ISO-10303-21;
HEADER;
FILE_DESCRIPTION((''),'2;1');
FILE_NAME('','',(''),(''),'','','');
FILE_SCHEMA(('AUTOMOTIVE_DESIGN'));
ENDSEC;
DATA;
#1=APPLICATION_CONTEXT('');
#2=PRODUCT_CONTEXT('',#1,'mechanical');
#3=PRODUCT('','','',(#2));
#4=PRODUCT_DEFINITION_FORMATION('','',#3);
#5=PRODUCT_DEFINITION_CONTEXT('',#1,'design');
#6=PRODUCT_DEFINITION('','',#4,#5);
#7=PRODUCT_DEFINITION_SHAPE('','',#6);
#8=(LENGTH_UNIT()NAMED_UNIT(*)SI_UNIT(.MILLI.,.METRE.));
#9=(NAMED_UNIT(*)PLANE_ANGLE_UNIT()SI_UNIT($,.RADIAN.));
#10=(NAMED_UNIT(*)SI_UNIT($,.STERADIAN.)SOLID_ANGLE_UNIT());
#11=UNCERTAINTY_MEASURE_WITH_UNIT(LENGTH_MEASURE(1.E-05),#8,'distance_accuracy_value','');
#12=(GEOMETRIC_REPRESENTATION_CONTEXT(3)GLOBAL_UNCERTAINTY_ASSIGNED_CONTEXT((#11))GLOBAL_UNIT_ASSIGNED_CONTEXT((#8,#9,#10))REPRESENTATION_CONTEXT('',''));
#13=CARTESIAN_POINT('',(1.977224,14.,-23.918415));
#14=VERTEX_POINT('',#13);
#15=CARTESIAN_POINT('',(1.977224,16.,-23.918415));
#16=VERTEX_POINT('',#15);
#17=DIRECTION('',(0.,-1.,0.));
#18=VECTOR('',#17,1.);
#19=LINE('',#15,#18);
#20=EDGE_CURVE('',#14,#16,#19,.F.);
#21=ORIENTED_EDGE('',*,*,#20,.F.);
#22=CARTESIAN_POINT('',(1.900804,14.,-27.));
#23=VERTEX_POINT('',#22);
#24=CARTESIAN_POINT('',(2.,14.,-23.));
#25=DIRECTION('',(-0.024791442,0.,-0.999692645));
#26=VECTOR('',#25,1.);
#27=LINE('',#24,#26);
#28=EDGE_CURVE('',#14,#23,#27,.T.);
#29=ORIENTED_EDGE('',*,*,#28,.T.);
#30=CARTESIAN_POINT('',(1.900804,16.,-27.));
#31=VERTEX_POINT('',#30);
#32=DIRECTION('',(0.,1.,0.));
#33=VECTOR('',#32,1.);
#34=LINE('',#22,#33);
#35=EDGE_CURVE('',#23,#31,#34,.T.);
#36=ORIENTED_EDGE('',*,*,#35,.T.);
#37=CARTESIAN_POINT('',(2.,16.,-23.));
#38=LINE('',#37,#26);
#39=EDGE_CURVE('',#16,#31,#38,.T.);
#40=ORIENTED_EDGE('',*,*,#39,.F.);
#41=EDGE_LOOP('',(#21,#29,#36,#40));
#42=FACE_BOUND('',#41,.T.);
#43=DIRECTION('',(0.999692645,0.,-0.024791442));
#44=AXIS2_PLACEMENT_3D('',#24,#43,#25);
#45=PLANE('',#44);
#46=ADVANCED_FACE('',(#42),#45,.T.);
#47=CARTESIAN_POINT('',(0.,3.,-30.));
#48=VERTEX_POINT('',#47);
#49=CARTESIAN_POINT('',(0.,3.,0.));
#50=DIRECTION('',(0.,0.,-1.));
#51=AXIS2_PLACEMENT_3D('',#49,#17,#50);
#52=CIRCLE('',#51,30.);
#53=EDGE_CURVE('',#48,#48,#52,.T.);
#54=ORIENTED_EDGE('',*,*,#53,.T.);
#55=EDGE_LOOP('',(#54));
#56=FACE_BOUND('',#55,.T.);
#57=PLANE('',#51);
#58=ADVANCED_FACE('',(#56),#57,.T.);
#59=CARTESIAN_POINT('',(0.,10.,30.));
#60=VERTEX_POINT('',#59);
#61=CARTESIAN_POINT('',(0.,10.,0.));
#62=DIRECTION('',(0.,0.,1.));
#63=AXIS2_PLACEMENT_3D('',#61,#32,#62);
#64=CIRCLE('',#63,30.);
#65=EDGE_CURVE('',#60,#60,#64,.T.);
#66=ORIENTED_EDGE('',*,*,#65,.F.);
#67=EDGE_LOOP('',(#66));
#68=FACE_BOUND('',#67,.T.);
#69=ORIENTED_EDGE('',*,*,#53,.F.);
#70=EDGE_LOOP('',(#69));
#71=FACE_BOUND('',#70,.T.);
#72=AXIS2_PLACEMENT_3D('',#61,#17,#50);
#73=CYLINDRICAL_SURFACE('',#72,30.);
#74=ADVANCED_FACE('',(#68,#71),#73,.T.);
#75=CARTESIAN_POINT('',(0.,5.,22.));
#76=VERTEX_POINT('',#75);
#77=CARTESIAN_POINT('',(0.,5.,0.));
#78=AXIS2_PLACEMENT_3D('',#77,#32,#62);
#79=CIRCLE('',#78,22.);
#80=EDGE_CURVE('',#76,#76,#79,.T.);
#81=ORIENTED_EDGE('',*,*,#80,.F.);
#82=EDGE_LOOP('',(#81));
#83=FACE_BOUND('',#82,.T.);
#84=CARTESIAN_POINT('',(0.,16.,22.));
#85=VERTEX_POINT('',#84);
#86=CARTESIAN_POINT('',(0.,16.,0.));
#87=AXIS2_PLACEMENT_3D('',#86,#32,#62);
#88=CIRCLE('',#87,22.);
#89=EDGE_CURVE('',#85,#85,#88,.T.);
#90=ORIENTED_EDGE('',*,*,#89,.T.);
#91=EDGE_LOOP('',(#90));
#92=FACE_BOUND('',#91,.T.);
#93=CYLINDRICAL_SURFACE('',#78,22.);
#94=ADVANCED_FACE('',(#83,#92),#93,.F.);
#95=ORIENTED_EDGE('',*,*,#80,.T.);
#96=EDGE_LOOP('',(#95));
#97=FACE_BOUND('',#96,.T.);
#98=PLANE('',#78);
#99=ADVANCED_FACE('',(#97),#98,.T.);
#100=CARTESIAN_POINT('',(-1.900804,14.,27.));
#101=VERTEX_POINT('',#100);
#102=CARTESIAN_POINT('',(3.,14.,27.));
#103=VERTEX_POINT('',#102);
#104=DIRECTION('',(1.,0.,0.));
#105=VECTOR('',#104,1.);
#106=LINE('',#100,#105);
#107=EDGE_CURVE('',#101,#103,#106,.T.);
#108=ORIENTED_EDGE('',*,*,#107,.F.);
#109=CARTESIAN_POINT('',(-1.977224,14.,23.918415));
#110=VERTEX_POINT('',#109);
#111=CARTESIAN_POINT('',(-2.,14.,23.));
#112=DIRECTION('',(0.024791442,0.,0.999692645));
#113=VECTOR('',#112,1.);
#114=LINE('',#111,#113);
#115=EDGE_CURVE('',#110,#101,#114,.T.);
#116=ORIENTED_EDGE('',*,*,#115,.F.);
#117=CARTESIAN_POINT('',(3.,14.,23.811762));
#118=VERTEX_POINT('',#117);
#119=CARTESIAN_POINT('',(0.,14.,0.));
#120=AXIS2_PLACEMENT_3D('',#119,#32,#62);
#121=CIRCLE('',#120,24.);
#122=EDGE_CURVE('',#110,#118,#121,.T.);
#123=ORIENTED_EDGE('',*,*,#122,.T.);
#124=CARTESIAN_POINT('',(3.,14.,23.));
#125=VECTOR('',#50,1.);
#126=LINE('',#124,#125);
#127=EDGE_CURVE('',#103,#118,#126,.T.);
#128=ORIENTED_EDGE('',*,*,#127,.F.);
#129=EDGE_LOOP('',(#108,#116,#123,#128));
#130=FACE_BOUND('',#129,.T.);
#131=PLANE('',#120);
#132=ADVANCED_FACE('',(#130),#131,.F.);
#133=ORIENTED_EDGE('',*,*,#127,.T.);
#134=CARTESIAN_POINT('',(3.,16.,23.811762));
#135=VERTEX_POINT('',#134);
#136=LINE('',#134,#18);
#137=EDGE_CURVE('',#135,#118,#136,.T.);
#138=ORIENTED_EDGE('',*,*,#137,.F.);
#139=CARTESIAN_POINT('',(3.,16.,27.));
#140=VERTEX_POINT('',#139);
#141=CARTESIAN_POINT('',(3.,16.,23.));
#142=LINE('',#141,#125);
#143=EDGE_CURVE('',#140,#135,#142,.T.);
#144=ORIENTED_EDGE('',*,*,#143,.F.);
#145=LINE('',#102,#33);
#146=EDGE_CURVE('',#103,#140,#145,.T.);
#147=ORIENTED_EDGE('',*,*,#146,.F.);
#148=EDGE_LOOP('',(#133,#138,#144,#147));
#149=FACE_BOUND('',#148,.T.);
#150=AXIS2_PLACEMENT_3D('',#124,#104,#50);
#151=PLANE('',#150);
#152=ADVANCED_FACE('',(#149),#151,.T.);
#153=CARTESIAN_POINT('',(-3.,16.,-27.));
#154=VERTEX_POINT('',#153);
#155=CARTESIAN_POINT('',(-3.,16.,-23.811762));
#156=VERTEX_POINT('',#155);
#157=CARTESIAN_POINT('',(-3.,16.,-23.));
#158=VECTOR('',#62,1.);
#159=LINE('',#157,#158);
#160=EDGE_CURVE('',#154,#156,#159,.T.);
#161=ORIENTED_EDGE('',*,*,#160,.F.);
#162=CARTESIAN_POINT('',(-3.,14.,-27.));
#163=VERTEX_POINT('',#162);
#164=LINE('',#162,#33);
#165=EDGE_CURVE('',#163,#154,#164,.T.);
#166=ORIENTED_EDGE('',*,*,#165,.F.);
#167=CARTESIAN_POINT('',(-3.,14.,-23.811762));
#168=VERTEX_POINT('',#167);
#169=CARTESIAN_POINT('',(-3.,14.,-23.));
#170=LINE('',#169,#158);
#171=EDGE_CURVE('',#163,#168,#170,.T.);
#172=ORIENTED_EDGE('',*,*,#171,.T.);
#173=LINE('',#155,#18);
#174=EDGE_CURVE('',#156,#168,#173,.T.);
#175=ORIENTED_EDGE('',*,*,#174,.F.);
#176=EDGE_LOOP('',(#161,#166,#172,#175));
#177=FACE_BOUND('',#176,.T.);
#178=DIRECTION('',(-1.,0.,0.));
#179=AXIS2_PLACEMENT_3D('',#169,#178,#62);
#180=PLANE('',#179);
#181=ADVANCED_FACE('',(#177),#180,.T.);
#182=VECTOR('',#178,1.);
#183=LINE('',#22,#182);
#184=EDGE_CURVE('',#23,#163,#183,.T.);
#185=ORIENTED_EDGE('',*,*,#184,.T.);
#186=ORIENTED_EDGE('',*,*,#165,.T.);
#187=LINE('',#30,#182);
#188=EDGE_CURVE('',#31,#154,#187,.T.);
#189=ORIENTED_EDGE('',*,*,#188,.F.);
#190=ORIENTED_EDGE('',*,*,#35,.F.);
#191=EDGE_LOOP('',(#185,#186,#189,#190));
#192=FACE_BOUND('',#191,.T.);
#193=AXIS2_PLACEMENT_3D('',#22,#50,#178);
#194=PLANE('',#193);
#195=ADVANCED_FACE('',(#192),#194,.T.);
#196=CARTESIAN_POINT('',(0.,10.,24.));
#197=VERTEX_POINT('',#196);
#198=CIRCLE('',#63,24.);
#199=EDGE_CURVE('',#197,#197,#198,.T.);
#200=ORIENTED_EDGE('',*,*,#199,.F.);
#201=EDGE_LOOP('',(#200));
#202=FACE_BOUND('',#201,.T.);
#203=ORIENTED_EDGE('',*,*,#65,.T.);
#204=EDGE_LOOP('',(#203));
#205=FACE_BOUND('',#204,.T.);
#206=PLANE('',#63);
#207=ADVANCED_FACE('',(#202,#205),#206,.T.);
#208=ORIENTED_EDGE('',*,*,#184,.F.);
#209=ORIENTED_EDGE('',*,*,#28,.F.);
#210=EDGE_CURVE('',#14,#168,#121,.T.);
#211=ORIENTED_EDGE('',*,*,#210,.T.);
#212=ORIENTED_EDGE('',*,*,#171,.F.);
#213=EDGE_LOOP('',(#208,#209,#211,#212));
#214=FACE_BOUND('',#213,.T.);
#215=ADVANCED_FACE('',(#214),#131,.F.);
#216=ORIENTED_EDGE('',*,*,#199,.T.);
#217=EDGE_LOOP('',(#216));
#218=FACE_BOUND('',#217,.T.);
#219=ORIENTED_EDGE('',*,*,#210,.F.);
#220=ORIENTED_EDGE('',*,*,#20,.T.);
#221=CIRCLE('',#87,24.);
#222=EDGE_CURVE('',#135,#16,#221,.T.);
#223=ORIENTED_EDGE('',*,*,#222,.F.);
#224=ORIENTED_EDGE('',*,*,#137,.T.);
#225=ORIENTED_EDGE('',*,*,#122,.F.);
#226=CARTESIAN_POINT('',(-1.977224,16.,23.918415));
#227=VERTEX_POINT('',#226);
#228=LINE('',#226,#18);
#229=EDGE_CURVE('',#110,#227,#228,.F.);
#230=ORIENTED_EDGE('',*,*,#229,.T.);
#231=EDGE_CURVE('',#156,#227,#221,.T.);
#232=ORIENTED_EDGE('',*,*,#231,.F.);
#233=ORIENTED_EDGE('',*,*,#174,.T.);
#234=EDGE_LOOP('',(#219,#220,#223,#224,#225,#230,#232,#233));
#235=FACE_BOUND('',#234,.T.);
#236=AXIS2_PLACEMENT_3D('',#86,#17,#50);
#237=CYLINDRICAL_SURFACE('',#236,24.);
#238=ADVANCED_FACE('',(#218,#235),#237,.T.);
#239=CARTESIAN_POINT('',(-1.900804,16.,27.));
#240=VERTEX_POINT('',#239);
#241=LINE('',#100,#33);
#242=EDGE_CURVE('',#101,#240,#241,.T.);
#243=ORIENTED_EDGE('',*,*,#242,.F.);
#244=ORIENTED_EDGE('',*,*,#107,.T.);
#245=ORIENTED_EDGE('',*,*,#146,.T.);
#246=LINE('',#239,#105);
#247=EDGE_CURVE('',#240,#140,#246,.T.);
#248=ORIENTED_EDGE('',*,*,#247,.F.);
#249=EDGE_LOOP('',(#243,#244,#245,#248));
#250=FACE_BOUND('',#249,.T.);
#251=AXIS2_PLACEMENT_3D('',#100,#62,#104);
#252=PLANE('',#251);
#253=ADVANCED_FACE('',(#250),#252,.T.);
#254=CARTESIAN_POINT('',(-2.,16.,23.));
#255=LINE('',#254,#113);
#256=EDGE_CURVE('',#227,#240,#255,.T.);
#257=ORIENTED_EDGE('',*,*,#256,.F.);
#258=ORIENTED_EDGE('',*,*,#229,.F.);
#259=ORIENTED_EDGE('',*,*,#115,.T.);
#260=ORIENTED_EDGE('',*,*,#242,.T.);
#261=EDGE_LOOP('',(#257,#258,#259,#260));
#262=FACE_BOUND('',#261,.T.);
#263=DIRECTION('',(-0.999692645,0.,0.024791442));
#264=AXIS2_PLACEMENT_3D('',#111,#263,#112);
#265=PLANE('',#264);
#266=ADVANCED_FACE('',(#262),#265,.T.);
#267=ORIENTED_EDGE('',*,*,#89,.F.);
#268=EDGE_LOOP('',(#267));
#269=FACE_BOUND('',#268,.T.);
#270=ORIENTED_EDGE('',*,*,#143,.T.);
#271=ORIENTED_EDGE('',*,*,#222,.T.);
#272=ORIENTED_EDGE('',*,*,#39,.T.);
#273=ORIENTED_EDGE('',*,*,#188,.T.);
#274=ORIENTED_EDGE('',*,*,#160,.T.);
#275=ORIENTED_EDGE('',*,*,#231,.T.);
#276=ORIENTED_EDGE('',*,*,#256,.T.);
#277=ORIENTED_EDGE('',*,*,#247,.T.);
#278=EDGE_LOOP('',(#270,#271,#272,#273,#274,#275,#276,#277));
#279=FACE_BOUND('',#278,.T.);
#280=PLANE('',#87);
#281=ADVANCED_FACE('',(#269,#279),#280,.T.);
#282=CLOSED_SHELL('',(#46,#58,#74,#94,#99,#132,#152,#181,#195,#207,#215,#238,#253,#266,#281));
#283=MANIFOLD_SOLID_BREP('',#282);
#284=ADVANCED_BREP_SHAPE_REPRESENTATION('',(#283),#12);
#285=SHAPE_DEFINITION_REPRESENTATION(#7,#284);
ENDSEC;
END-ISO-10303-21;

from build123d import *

# Parameters (mm, degrees)
SKETCH1_R           = 30
BOSS_EXTRUDE1_DEPTH = 10
SKETCH4_R           = 24
BOSS_EXTRUDE2_DEPTH = 6
SKETCH5_R           = 22
CUT_EXTRUDE2_DEPTH  = 11
BOSS_EXTRUDE5_DEPTH = 2
SKETCH10_R          = 30
CUT_EXTRUDE3_DEPTH  = 3


with BuildPart() as part:
    # Sketch1 → Boss-Extrude1 (new body)
    with BuildSketch(Plane(origin=(0, 0, 0), x_dir=(1, 0, 0), z_dir=(0, 1, 0))):
        with Locations(Location((0, 0, 0), (0, 0, 270))):
            Circle(SKETCH1_R)
    extrude(amount=BOSS_EXTRUDE1_DEPTH)

    # Sketch4 → Boss-Extrude2 (add)
    with BuildSketch(Plane(origin=(0, 10, 0), x_dir=(1, 0, 0), z_dir=(0, 1, 0))):
        with Locations(Location((0, 0, 0), (0, 0, 270))):
            Circle(SKETCH4_R)
    extrude(amount=BOSS_EXTRUDE2_DEPTH)

    # Sketch5 → Cut-Extrude2 (cut)
    with BuildSketch(Plane(origin=(0, 16, 0), x_dir=(1, 0, 0), z_dir=(0, 1, 0))):
        with Locations(Location((0, 0, 0), (0, 0, 270))):
            Circle(SKETCH5_R)
    extrude(amount=-CUT_EXTRUDE2_DEPTH, mode=Mode.SUBTRACT)

    # Sketch9 → Boss-Extrude5 (add)
    with BuildSketch(Plane(origin=(0, 16, 0), x_dir=(1, 0, 0), z_dir=(0, 1, 0))):
        Polygon((0.5, -23), (-2, -23), (-1.900803743, -27), (3, -27), (3, -23), align=None)
        Polygon((-3, 23), (-3, 27), (1.900803743, 27), (2, 23), (-0.5, 23), align=None)
    extrude(amount=-BOSS_EXTRUDE5_DEPTH)

    # Sketch10 → Cut-Extrude3 (cut)
    with BuildSketch(Plane.XZ):
        with Locations(Location((0, 0, 0), (0, 0, 270))):
            Circle(SKETCH10_R)
    extrude(amount=-CUT_EXTRUDE3_DEPTH, mode=Mode.SUBTRACT)


solid = part.part
